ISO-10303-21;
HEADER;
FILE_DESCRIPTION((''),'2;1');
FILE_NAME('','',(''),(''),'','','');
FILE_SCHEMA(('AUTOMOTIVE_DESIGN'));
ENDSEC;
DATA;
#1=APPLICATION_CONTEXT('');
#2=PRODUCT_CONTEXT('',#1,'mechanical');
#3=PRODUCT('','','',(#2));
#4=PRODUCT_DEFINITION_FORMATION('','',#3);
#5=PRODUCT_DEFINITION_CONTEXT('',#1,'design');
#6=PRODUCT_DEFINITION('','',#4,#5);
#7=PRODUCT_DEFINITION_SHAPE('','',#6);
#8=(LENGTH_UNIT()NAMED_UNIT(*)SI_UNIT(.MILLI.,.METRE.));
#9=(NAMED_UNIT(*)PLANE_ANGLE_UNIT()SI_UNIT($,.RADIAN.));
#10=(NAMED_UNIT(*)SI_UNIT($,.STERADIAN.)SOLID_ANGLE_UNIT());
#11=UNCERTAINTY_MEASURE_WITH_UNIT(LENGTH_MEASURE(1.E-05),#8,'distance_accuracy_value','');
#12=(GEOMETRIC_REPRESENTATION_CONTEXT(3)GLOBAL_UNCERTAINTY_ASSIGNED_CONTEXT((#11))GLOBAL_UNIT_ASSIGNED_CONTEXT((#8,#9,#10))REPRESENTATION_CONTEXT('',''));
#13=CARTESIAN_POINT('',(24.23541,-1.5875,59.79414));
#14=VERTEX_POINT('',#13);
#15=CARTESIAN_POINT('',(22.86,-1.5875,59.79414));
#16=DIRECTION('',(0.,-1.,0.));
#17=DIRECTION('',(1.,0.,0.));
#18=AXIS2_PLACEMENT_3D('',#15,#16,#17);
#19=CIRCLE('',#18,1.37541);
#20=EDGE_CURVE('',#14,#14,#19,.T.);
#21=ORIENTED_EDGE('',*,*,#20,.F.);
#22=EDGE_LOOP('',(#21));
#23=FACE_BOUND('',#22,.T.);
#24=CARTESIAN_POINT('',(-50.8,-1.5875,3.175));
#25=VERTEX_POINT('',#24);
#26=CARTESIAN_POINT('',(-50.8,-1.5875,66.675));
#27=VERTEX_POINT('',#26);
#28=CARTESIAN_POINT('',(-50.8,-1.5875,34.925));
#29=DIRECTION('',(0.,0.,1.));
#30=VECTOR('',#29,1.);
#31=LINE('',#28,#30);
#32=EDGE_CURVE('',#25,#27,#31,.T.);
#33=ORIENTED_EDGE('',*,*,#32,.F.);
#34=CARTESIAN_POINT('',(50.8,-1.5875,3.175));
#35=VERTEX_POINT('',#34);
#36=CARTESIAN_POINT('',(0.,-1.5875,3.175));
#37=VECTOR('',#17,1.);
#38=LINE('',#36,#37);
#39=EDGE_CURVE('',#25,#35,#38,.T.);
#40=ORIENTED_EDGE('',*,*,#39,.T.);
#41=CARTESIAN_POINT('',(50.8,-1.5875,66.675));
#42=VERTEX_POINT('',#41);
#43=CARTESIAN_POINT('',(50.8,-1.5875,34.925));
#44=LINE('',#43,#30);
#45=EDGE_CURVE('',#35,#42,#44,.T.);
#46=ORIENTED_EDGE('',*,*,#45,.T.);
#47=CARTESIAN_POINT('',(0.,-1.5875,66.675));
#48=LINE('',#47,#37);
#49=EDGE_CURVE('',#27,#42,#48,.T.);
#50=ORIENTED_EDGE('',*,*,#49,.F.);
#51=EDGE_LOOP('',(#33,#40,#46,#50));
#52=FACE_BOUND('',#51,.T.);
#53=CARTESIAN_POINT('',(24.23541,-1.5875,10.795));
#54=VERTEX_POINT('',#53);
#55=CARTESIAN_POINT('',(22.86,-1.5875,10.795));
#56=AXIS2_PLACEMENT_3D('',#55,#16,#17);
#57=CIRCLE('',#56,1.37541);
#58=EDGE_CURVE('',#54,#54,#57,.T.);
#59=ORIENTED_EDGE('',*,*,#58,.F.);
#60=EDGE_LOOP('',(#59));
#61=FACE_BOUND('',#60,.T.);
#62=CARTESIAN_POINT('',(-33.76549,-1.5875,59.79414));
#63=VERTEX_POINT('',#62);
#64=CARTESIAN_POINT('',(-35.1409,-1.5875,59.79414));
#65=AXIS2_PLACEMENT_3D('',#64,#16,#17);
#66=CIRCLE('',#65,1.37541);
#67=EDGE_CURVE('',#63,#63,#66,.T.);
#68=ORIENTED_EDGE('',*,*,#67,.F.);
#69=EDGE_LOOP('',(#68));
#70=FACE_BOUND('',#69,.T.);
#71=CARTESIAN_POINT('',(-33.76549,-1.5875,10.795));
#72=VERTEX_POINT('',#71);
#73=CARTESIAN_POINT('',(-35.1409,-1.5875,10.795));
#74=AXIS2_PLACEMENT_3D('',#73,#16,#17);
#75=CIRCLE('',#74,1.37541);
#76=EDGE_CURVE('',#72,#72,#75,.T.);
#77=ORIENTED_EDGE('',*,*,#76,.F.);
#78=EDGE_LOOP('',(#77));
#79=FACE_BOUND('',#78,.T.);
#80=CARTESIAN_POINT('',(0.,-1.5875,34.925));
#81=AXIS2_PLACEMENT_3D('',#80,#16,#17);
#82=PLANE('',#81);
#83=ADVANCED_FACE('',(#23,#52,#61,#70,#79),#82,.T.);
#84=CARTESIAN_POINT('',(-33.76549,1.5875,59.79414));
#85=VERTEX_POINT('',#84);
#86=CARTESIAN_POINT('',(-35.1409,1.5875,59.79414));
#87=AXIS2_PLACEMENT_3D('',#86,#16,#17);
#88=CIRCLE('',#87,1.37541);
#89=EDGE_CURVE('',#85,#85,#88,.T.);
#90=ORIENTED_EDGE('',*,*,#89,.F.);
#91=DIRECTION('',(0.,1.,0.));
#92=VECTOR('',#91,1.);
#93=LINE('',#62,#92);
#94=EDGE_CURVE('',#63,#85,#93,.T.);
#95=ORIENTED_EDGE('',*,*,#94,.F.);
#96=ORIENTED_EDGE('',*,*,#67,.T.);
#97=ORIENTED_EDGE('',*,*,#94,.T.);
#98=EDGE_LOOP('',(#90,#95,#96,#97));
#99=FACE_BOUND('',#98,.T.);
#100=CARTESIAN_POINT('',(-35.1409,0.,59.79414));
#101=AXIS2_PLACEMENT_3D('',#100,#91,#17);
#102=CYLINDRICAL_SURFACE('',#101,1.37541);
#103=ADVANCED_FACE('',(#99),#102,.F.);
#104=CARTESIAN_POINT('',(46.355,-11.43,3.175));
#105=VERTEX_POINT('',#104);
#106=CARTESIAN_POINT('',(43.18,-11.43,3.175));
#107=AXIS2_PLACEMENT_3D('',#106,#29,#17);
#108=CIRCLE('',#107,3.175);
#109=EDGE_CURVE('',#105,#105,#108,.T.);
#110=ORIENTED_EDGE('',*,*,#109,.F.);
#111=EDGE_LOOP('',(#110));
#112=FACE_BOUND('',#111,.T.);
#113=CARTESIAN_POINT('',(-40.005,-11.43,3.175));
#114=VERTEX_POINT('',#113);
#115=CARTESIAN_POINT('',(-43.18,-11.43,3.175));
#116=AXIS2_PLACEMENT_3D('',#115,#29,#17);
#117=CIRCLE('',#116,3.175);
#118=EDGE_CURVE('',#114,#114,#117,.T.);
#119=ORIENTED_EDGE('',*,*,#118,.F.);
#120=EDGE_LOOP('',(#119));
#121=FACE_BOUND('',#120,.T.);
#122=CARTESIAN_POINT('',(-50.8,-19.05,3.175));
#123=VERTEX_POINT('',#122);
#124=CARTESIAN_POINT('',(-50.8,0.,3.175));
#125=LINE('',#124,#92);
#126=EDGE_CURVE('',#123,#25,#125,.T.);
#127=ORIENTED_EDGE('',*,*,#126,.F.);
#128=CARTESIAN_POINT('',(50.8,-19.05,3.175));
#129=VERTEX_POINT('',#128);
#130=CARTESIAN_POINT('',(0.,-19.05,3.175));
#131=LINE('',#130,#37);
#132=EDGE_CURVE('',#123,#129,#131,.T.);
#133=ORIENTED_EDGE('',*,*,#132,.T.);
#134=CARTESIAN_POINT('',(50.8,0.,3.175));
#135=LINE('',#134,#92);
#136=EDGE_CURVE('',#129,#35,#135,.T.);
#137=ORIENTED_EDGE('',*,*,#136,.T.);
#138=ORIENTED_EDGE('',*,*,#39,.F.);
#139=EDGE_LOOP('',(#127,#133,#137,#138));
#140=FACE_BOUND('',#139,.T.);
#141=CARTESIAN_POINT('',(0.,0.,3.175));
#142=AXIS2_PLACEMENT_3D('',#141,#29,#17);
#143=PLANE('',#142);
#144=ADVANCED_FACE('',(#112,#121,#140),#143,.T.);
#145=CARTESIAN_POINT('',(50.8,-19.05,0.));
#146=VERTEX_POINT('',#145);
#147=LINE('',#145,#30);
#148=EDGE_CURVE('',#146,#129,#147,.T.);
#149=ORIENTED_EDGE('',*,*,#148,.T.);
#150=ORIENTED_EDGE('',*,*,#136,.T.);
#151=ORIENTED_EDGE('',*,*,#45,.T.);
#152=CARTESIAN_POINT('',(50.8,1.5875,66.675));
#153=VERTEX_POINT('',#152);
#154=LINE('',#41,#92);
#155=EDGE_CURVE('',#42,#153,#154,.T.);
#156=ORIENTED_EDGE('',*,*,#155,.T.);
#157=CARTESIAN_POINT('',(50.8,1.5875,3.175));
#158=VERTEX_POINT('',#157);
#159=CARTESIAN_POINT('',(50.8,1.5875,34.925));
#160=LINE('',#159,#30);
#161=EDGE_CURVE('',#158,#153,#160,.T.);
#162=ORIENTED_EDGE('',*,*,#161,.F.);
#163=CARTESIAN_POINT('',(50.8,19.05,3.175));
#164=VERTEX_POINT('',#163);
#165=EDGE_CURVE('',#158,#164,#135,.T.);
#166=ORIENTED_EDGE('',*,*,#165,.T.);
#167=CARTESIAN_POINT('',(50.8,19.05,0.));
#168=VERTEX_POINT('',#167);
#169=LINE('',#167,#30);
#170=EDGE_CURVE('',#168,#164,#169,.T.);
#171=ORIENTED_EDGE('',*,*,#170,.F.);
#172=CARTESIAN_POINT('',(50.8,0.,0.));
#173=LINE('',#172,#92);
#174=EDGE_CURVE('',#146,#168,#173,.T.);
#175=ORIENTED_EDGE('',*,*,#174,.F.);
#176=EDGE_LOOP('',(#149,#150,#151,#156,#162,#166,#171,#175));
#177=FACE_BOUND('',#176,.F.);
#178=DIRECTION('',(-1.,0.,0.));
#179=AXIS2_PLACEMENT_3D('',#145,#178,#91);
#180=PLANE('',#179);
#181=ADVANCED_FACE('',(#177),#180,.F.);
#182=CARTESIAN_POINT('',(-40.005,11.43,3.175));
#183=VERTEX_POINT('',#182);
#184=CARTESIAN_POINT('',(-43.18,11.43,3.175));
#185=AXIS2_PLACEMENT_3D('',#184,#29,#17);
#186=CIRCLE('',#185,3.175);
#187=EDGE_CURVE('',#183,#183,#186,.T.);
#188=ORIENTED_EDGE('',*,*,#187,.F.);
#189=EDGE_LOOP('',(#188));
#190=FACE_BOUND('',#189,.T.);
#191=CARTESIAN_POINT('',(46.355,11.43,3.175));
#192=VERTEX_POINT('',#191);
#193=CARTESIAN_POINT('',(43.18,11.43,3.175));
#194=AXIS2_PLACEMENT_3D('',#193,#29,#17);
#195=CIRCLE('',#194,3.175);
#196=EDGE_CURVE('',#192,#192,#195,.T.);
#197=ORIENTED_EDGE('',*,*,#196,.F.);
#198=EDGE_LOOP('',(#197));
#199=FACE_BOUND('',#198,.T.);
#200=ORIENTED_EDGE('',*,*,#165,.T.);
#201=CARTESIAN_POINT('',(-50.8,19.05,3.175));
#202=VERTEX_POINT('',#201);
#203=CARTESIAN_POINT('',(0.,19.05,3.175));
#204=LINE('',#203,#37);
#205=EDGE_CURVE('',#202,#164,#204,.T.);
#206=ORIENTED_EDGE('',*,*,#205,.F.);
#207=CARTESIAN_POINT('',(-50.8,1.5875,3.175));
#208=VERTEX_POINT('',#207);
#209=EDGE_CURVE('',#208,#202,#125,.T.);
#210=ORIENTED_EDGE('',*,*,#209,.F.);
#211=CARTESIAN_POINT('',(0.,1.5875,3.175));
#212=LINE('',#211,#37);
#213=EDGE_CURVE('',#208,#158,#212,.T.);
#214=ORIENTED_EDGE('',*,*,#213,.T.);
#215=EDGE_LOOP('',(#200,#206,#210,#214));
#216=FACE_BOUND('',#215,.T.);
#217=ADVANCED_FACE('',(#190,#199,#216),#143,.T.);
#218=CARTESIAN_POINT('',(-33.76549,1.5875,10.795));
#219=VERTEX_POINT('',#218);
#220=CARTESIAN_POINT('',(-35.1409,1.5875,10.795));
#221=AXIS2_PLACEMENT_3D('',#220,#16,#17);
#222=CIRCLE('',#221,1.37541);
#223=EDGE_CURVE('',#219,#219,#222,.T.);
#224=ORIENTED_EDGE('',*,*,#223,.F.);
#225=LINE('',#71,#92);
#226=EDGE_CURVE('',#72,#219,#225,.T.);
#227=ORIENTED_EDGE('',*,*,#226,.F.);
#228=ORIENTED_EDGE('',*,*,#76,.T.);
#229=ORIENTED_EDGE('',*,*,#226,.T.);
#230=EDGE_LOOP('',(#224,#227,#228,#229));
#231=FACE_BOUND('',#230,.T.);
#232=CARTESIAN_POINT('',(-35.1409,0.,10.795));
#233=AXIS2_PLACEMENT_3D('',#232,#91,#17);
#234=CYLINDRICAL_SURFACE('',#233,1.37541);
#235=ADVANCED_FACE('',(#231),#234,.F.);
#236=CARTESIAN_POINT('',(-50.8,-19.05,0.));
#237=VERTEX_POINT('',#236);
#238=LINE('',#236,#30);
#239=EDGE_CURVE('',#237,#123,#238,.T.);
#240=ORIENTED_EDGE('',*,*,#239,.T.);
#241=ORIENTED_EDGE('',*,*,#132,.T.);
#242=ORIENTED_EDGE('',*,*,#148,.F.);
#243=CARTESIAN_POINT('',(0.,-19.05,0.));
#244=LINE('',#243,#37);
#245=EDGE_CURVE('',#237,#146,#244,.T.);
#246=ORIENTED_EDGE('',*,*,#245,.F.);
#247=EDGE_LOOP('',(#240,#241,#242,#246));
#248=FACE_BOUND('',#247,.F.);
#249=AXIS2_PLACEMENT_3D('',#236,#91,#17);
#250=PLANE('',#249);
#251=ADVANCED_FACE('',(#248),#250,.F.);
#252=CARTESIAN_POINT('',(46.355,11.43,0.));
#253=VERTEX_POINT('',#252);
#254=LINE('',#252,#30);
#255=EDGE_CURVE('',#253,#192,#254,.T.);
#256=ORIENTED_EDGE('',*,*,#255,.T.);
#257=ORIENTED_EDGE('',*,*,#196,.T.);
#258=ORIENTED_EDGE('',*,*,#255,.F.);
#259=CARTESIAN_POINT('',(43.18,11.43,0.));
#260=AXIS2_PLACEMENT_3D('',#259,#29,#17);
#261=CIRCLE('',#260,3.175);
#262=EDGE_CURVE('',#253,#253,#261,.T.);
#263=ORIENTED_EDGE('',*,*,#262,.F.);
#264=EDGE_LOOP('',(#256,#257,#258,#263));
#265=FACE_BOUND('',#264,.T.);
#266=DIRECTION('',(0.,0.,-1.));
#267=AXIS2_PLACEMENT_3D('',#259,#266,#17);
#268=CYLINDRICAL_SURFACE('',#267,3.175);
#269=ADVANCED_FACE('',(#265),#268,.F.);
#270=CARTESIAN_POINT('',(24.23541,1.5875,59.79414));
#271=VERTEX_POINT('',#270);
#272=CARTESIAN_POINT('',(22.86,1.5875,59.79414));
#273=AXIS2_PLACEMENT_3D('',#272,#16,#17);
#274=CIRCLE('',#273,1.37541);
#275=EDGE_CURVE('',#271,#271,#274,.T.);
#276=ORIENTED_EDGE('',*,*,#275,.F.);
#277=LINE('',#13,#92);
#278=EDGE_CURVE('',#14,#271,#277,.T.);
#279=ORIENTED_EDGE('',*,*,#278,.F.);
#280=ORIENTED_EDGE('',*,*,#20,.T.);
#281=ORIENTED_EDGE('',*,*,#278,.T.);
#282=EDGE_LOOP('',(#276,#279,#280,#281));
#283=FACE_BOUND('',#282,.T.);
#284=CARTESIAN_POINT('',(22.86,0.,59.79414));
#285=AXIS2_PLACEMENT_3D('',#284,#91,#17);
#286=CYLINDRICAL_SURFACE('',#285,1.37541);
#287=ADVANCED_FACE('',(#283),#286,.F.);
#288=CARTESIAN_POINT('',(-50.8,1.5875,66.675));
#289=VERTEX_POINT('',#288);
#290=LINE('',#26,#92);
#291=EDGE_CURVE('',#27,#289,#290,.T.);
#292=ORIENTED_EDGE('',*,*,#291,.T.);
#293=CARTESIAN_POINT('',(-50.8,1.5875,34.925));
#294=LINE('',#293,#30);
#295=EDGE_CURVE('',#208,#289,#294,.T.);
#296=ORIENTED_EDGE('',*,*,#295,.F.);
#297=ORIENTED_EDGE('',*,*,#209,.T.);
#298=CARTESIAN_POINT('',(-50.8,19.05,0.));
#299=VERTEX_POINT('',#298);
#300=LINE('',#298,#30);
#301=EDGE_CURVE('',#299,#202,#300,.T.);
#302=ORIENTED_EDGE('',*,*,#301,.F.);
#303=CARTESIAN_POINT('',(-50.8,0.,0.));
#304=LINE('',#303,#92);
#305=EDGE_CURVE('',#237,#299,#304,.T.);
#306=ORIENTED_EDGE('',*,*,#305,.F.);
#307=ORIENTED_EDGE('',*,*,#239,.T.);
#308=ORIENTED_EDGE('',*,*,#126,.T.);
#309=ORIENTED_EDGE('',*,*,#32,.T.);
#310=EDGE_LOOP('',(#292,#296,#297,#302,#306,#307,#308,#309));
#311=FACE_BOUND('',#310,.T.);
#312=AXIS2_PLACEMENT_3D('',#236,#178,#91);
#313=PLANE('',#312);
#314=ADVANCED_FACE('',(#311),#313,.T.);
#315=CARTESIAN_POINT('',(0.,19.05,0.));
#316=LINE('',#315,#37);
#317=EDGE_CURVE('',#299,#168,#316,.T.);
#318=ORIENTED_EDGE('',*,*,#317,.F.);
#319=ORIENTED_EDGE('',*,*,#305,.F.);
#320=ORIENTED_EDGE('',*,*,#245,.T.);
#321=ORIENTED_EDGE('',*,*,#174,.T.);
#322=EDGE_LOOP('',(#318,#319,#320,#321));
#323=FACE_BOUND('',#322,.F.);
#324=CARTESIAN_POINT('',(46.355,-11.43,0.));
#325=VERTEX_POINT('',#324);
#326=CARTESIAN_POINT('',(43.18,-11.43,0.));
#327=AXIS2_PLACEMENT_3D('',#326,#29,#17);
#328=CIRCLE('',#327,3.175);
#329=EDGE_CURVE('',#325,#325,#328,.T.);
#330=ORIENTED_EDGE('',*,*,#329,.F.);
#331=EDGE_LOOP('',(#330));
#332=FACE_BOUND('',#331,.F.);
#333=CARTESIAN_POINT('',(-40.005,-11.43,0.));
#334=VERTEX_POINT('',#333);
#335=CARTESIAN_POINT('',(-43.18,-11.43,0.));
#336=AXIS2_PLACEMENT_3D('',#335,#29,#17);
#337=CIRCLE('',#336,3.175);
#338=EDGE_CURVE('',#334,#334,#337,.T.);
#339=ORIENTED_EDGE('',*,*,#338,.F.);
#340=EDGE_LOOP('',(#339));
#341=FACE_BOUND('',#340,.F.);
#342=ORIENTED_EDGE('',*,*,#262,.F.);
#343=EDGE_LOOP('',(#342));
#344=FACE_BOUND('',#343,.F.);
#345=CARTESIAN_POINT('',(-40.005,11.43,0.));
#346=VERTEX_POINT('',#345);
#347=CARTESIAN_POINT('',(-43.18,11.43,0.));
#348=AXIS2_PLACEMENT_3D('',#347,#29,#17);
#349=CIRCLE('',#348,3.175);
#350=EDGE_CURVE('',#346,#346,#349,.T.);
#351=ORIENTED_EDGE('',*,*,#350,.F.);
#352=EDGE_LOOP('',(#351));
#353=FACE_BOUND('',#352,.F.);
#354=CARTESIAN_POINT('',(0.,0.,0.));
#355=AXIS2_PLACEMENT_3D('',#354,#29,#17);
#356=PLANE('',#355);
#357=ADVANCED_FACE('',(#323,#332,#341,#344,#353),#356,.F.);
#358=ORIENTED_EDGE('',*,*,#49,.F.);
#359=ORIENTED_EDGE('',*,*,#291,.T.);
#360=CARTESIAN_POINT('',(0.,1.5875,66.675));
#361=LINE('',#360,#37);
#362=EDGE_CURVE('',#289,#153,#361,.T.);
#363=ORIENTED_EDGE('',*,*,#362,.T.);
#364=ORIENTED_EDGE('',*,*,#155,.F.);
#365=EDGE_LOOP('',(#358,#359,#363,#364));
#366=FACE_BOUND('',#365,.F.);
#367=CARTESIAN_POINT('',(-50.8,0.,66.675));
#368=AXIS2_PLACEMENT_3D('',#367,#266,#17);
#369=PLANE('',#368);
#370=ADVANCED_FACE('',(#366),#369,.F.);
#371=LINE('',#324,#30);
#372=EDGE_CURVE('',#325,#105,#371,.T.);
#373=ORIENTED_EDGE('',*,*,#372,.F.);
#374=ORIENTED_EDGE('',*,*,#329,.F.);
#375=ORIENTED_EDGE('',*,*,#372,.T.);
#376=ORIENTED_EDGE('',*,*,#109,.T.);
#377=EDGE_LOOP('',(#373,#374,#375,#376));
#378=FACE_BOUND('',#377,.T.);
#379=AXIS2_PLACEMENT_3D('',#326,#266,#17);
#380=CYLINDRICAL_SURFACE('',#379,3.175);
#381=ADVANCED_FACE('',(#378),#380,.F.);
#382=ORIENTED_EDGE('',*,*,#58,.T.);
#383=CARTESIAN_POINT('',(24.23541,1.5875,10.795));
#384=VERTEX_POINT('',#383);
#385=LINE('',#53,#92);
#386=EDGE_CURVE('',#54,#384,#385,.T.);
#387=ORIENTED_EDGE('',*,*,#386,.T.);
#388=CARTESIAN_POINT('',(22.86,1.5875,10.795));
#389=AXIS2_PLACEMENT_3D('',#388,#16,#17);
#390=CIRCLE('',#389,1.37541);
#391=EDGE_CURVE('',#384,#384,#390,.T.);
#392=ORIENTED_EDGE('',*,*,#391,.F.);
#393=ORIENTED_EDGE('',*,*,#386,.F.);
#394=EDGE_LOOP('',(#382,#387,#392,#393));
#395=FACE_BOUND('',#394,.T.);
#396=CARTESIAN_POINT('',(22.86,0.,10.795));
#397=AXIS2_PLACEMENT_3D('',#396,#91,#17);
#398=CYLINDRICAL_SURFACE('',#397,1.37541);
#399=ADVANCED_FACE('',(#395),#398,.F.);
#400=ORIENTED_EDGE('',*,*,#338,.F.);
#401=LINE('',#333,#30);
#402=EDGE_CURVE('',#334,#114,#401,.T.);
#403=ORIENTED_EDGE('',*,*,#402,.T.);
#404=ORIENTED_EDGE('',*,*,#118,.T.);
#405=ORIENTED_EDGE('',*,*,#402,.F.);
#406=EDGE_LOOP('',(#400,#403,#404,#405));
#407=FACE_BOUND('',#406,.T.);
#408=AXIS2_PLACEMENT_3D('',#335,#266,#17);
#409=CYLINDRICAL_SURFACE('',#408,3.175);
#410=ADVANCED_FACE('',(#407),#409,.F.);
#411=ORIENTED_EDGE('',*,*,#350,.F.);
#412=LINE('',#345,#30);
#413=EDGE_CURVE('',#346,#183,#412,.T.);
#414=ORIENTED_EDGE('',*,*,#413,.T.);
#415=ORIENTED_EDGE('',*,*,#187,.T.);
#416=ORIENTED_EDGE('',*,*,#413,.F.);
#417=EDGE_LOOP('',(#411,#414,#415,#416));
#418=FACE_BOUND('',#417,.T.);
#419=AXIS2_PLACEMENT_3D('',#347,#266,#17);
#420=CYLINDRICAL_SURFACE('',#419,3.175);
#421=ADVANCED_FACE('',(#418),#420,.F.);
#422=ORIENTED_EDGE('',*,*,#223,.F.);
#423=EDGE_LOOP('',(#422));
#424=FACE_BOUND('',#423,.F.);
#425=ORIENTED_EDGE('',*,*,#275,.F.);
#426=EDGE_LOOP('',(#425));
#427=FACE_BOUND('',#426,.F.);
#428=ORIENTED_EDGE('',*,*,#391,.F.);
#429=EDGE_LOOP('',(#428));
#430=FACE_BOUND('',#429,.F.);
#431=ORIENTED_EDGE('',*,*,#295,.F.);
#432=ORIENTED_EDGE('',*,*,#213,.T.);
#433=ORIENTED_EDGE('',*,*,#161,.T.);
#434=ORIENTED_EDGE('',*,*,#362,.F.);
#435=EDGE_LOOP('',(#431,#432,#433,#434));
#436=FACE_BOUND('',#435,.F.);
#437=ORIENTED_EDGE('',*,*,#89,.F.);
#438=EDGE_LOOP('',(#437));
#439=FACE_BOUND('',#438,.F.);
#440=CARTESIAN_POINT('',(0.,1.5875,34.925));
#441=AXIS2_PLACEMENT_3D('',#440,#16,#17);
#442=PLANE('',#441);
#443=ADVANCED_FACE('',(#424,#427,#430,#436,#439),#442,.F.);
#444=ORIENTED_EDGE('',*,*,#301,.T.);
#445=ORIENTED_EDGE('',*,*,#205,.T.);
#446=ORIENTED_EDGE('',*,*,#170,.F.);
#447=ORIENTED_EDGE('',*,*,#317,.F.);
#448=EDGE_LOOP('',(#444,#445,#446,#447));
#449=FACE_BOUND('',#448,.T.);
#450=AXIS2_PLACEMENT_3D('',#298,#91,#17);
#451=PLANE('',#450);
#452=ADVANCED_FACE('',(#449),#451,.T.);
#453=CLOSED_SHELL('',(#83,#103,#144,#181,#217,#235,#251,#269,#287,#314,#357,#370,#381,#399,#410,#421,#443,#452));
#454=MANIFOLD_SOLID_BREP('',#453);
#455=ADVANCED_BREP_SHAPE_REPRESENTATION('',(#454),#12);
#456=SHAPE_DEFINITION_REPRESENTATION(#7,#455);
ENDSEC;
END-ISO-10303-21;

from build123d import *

# Parameters (mm, degrees)
F0_W     = 101.6
F0_H     = 38.1
F0_R     = 3.175
F1_DEPTH = 3.175
F2_W     = 101.6
F2_H     = 63.5
F2_R     = 1.37541
F3_DEPTH = 1.5875


with BuildPart() as f1:
    # F0 (on Top) → F1 (new body)
    with BuildSketch(Plane.XY):
        Rectangle(F0_W, F0_H)
        with Locations((-43.18, -11.43)):
            Circle(F0_R, mode=Mode.SUBTRACT)
        with Locations((43.18, -11.43)):
            Circle(F0_R, mode=Mode.SUBTRACT)
        with Locations((-43.18, 11.43)):
            Circle(F0_R, mode=Mode.SUBTRACT)
        with Locations((43.18, 11.43)):
            Circle(F0_R, mode=Mode.SUBTRACT)
    extrude(amount=F1_DEPTH)

    # F2 (on Front) → F3 (join, symmetric)
    with BuildSketch(Plane.XZ):
        with Locations((0, 34.925)):
            Rectangle(F2_W, F2_H)
        with Locations((-35.1409, 10.795)):
            Circle(F2_R, mode=Mode.SUBTRACT)
        with Locations((22.86, 10.795)):
            Circle(F2_R, mode=Mode.SUBTRACT)
        with Locations((-35.1409, 59.79414)):
            Circle(F2_R, mode=Mode.SUBTRACT)
        with Locations((22.86, 59.79414)):
            Circle(F2_R, mode=Mode.SUBTRACT)
    extrude(amount=F3_DEPTH, both=True)


solid = f1.part
